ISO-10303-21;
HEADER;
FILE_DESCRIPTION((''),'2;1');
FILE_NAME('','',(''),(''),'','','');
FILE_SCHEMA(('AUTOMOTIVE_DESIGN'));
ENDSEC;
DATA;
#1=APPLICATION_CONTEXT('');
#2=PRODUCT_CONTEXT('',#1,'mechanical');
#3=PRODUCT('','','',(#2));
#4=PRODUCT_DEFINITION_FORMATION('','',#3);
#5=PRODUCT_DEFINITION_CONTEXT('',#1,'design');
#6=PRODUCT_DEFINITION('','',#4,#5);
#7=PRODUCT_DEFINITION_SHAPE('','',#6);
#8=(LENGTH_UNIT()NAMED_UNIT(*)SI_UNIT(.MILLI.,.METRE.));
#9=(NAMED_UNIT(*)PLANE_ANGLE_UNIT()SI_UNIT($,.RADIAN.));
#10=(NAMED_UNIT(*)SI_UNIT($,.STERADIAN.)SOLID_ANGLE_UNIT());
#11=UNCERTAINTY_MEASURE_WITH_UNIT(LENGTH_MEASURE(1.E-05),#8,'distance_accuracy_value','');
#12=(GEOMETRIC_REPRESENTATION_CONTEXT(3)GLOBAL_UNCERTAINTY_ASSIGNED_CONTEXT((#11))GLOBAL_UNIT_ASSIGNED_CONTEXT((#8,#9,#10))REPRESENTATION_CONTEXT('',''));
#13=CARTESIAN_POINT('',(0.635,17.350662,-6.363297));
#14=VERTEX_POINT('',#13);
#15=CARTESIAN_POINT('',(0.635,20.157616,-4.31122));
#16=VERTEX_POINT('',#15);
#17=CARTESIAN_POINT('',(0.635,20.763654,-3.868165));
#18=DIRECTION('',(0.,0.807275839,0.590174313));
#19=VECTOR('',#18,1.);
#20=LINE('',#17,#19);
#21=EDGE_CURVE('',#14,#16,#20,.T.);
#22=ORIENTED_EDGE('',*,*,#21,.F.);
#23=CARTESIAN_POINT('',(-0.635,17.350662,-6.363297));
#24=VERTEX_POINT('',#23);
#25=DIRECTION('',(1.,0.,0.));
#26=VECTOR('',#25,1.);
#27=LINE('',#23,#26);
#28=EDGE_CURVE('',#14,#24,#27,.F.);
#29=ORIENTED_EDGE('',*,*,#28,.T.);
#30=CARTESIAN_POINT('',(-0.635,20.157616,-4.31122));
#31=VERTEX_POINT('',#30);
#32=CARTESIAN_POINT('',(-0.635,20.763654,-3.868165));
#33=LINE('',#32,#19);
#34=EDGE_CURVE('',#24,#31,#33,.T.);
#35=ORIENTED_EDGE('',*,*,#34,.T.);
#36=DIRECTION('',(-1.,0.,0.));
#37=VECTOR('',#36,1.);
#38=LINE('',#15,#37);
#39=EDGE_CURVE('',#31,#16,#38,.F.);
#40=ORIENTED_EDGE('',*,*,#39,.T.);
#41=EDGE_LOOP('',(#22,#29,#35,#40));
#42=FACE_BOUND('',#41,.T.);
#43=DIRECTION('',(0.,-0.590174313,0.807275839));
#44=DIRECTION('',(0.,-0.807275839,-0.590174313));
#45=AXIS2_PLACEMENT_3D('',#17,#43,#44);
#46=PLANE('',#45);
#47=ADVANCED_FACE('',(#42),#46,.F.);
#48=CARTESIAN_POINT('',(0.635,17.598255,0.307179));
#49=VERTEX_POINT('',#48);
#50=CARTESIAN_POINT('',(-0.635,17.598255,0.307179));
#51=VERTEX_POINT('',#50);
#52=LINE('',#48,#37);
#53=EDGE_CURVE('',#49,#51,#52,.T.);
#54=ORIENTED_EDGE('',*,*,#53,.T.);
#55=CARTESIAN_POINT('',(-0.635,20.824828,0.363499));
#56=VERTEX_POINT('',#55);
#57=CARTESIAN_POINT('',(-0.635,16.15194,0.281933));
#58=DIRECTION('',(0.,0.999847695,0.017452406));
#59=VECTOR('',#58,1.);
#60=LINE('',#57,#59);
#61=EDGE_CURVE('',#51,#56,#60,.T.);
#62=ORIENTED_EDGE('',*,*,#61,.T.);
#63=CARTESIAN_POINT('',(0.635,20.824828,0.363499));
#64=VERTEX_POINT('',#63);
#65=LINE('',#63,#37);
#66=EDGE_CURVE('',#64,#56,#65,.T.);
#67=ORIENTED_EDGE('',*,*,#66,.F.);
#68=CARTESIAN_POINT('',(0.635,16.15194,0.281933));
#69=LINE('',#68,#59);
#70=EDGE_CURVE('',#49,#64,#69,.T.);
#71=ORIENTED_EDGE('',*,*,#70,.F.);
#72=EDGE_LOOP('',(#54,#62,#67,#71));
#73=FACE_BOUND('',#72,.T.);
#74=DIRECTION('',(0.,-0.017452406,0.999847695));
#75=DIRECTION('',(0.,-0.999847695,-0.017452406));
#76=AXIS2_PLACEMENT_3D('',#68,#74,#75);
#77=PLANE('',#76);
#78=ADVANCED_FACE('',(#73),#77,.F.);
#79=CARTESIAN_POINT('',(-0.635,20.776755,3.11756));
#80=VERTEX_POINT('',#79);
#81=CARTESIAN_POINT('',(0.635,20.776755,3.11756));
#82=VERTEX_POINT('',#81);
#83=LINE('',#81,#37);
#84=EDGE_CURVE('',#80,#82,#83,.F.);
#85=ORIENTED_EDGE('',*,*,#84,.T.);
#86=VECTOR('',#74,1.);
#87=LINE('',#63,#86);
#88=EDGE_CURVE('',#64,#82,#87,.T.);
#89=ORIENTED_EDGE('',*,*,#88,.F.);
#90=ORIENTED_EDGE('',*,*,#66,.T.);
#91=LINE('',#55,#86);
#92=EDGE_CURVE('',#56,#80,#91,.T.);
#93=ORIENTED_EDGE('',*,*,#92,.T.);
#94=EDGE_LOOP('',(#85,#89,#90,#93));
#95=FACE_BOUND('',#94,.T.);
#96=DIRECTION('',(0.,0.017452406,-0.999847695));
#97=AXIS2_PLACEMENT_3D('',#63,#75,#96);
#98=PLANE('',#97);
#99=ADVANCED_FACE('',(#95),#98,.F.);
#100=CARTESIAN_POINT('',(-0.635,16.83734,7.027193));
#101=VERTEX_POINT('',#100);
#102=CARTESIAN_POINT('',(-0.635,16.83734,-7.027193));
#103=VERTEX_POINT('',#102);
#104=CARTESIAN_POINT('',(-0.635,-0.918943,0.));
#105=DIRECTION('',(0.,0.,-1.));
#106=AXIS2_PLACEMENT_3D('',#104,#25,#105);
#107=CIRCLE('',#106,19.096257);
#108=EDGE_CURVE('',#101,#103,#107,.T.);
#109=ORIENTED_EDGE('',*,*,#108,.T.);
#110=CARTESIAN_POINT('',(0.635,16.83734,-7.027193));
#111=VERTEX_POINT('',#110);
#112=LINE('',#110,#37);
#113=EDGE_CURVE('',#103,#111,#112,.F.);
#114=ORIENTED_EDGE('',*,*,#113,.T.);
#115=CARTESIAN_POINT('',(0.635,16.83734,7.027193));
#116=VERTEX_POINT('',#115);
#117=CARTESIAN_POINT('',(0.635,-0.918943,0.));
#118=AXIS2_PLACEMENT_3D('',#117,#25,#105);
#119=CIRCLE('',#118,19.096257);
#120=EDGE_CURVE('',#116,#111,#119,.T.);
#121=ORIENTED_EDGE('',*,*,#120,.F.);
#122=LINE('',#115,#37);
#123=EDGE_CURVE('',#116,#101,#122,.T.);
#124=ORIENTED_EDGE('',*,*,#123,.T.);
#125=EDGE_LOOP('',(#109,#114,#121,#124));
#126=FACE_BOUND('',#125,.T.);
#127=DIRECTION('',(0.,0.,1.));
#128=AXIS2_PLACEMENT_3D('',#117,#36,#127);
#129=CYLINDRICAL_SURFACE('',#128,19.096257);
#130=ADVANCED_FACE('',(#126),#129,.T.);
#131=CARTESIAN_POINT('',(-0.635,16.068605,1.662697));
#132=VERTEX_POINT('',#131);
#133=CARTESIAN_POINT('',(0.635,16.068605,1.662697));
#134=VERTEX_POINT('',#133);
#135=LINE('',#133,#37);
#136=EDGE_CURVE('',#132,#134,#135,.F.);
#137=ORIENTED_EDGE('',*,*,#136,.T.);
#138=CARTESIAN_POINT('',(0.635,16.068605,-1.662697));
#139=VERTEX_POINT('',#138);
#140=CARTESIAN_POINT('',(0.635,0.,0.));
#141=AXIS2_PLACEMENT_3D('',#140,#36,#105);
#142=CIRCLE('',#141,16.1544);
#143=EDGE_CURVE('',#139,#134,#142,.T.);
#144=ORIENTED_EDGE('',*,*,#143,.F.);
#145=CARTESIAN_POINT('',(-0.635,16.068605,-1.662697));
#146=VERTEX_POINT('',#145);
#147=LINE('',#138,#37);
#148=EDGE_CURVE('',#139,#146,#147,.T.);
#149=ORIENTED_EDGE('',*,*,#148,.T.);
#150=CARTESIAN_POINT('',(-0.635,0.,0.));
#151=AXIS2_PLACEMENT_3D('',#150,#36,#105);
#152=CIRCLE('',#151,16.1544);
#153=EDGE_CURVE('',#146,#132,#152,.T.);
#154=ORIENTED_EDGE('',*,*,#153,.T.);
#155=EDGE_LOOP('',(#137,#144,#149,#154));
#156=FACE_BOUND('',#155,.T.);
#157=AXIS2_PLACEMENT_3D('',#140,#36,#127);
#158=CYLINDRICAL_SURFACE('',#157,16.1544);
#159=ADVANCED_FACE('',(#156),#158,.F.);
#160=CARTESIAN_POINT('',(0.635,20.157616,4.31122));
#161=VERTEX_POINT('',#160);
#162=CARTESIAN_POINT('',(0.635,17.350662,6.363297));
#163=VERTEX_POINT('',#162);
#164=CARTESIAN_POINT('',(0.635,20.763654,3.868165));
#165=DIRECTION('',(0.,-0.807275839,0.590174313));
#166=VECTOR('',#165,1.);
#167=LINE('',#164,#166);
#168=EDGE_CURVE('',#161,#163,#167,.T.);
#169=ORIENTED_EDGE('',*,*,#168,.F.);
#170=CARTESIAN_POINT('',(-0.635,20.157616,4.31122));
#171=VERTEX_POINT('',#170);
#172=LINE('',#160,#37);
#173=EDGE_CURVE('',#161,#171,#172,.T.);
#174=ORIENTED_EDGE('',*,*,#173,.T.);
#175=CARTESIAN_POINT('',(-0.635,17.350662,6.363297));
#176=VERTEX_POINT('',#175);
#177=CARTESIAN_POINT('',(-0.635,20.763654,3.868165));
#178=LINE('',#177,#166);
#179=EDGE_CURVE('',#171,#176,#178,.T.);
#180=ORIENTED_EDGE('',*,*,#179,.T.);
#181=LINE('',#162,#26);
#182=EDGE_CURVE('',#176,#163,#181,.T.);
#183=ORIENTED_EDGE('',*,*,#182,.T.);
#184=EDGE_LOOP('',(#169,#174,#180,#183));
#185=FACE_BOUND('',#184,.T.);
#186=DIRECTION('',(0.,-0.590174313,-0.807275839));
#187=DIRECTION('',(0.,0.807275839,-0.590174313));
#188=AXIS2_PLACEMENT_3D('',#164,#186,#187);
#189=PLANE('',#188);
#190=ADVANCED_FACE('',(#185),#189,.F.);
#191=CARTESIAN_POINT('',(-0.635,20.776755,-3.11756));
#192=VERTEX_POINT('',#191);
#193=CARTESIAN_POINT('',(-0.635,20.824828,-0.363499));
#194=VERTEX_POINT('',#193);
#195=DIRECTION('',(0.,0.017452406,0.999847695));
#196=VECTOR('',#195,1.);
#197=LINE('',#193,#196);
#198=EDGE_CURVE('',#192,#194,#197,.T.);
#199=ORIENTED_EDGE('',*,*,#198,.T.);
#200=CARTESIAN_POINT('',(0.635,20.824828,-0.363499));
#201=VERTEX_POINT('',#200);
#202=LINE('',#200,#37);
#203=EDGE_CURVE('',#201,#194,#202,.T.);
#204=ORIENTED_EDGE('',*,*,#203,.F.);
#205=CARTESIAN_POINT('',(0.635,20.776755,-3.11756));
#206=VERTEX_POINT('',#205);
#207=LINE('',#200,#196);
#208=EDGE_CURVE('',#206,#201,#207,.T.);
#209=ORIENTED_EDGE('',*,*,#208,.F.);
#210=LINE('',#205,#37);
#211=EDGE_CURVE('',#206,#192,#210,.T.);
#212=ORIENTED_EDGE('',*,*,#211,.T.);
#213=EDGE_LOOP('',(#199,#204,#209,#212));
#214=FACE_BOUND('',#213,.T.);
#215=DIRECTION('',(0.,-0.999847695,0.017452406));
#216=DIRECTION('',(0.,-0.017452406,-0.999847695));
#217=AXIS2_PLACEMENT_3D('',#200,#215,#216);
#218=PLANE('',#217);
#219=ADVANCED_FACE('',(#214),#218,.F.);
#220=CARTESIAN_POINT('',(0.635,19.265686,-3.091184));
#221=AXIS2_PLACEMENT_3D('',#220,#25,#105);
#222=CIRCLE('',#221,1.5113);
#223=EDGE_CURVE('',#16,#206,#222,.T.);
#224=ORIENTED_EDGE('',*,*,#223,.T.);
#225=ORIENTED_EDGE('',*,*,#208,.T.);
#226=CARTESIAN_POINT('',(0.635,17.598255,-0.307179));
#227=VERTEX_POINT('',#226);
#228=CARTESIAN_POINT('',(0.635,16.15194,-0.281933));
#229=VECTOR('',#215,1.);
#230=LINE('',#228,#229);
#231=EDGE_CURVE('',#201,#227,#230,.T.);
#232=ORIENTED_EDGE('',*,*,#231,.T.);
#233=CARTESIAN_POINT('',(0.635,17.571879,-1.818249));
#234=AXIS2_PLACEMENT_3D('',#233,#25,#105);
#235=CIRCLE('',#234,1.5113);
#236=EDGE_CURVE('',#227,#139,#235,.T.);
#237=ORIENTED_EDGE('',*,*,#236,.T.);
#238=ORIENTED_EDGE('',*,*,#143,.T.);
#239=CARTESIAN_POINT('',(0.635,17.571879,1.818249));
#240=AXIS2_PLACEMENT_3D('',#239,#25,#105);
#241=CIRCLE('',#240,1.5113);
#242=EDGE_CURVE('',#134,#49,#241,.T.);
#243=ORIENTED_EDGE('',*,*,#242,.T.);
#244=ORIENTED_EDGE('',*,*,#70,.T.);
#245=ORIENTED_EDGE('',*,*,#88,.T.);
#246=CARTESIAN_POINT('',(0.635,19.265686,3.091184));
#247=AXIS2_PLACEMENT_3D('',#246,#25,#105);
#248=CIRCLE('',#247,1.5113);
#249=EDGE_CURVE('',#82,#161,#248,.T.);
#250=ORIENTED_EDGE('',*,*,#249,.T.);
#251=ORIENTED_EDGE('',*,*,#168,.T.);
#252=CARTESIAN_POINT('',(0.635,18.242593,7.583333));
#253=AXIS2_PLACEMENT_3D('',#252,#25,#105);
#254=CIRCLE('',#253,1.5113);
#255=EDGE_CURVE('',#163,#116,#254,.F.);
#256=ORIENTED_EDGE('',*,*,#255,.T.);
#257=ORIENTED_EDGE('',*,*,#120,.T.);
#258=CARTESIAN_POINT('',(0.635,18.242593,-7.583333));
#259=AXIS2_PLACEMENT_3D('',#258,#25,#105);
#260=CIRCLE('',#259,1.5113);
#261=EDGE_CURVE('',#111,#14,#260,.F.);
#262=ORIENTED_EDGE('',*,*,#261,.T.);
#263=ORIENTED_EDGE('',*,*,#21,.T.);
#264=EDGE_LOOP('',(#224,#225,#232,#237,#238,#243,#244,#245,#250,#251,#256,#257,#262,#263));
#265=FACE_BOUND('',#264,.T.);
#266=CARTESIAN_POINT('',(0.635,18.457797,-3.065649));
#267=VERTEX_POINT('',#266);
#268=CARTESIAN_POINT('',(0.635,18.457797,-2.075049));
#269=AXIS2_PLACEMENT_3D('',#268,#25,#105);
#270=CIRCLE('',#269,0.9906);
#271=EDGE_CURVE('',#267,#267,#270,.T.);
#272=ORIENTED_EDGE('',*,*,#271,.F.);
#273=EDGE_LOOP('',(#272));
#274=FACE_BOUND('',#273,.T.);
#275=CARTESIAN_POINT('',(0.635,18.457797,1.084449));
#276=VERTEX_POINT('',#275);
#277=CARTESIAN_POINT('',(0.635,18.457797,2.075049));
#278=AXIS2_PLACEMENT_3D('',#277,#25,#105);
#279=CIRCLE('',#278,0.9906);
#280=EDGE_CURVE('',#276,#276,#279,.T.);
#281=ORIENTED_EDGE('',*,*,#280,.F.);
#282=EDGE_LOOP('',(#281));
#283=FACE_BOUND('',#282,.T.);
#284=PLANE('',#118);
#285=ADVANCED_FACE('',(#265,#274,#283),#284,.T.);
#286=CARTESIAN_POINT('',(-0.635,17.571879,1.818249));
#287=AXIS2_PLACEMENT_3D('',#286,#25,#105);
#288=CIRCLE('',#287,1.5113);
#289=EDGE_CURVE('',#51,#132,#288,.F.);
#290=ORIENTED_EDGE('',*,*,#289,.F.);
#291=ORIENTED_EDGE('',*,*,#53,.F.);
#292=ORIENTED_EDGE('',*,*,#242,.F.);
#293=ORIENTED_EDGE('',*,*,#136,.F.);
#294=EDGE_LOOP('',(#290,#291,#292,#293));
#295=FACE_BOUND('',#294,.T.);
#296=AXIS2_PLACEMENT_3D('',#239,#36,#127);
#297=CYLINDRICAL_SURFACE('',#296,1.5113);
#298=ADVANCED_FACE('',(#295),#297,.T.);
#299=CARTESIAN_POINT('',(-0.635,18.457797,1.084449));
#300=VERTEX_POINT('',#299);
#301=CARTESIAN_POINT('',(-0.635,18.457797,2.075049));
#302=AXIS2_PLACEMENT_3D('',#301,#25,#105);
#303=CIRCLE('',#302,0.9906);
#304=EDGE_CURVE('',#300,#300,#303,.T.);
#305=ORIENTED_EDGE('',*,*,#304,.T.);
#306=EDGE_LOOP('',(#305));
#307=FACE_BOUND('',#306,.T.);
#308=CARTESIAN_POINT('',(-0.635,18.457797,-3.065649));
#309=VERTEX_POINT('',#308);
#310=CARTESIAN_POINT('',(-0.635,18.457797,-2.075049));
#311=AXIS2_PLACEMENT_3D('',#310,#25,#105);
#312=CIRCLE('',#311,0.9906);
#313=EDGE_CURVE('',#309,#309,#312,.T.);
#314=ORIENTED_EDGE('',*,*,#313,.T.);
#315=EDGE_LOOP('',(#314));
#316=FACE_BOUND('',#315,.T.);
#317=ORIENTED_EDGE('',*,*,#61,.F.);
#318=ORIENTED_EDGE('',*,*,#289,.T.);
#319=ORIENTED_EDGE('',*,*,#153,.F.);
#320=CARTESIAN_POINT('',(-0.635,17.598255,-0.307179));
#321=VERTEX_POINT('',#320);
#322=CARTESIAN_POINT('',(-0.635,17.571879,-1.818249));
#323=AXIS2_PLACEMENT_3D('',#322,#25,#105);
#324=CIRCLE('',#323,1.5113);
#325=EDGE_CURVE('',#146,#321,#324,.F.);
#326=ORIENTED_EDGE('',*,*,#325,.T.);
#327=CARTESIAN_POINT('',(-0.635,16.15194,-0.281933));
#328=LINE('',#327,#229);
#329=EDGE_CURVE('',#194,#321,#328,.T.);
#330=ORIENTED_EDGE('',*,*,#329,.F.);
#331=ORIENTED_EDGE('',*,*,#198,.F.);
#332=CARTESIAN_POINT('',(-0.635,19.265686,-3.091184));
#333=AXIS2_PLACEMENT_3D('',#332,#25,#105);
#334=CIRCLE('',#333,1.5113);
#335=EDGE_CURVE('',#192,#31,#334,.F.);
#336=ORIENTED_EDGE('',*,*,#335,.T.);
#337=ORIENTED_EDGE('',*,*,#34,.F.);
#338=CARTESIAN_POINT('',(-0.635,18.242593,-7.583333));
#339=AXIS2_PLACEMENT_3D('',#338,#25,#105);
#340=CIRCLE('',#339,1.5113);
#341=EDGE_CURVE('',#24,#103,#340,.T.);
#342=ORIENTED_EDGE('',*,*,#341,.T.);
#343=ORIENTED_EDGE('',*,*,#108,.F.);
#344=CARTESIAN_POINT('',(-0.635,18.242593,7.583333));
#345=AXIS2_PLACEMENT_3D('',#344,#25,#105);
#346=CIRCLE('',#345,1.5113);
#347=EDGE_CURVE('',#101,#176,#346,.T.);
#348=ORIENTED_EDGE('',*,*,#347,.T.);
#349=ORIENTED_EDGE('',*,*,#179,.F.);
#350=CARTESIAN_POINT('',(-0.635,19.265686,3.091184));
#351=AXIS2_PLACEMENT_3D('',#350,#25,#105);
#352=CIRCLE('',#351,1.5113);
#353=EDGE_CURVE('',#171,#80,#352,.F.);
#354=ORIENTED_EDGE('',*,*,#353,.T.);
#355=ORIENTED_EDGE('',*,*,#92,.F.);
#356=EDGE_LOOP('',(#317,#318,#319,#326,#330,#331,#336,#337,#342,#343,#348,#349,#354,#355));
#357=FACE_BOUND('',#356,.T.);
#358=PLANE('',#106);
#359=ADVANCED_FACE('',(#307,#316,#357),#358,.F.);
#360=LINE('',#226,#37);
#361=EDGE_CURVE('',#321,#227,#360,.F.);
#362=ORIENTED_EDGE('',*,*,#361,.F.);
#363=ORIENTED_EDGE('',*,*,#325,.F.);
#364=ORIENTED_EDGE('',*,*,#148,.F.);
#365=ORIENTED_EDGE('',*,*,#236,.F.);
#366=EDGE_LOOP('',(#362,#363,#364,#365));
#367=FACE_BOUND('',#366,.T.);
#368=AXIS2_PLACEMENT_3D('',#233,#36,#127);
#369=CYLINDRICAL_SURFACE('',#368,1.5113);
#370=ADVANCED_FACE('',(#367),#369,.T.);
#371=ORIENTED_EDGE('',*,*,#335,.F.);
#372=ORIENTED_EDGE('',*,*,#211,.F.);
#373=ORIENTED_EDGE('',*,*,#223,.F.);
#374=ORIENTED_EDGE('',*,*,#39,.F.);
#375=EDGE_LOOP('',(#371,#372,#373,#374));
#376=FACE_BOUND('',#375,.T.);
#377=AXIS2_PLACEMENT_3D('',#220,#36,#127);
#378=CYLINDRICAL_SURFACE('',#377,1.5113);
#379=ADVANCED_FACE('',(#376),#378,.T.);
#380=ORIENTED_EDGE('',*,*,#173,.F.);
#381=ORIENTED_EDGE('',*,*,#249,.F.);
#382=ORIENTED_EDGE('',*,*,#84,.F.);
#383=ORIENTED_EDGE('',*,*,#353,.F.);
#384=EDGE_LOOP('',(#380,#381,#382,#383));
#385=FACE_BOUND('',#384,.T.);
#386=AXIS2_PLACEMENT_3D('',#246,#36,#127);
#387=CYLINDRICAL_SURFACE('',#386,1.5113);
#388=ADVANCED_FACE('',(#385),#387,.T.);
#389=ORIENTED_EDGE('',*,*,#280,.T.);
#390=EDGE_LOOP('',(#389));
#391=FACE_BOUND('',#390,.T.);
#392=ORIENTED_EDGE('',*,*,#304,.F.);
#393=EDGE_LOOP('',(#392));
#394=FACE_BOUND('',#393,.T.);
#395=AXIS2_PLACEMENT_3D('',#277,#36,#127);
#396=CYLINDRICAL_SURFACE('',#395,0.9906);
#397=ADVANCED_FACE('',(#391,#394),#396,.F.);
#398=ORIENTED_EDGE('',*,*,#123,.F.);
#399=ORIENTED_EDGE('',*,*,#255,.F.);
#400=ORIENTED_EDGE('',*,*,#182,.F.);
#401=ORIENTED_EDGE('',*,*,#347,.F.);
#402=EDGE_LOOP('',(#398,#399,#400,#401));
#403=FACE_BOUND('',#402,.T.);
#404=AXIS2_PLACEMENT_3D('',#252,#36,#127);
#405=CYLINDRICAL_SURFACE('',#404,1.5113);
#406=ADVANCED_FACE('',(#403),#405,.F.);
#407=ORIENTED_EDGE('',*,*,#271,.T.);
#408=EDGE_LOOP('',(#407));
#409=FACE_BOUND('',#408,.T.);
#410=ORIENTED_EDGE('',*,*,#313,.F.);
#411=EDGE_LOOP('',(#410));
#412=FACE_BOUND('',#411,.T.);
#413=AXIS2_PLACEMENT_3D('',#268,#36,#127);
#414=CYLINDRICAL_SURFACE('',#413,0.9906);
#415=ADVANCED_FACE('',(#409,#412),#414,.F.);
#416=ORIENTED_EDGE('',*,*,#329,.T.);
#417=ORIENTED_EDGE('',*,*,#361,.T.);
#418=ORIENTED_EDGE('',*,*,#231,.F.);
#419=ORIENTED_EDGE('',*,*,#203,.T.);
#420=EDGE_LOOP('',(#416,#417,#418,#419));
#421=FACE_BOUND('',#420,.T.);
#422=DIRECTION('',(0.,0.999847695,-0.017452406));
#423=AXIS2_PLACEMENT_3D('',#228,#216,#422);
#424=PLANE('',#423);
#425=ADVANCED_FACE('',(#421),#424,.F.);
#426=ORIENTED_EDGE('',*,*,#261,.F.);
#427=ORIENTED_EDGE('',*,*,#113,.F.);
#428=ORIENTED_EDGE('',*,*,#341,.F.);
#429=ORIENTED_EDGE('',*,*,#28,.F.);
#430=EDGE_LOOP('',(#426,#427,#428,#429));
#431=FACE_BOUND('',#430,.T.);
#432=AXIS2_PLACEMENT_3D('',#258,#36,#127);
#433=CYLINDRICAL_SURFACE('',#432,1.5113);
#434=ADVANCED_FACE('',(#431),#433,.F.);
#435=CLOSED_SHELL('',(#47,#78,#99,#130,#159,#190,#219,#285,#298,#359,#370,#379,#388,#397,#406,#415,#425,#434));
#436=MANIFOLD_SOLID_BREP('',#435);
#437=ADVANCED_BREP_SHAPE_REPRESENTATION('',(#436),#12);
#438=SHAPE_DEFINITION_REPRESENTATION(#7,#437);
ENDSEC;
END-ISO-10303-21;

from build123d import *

# Parameters (mm, degrees)
BOSS_EXTRUDE1_DEPTH      = 0.635
BOSS_EXTRUDE1_DEPTH_BACK = 0.635
SKETCH3_R                = 0.9906
FILLET1_R                = 1.5113


with BuildPart() as part:
    # Sketch3 → Boss-Extrude1 (new, two sides: drawn at the far end of the back side and taken through both)
    with BuildSketch(Plane(origin=(0, 0, 0), x_dir=(0, 0, -1), z_dir=(1, 0, 0)).offset(-BOSS_EXTRUDE1_DEPTH_BACK)):
        with BuildLine():
            Line((-3.868164862, 20.76365362), (-6.626403534, 16.99076926))
            ThreePointArc((-6.626403534, 16.99076926), (0, -20.0152), (6.626403534, 16.99076926))
            Line((6.626403534, 16.99076926), (3.868164862, 20.76365362))
            Line((3.868164862, 20.76365362), (0.363498721, 20.824827795))
            Line((0.363498721, 20.824827795), (0.281933155, 16.151939607))
            ThreePointArc((0.281933155, 16.151939607), (0, -16.1544), (-0.281933155, 16.151939607))
            Line((-0.281933155, 16.151939607), (-0.363498721, 20.824827795))
            Line((-0.363498721, 20.824827795), (-3.868164862, 20.76365362))
        make_face()
        with Locations((-2.075049008, 18.457796613)):
            Circle(SKETCH3_R, mode=Mode.SUBTRACT)
        with Locations((2.075049008, 18.457796613)):
            Circle(SKETCH3_R, mode=Mode.SUBTRACT)
    extrude(amount=BOSS_EXTRUDE1_DEPTH + BOSS_EXTRUDE1_DEPTH_BACK)

    # Fillet1
    fillet1_edges = [part.edges().sort_by_distance(p)[0] for p in [
        (0, 16.99076926, 6.626403534),
        (0, 20.76365362, 3.868164862),
        (0, 16.151939607, 0.281933155),
        (0, 16.151939607, -0.281933155),
        (0, 20.76365362, -3.868164862),
        (0, 16.99076926, -6.626403534),
    ]]
    fillet(fillet1_edges, radius=FILLET1_R)


solid = part.part
